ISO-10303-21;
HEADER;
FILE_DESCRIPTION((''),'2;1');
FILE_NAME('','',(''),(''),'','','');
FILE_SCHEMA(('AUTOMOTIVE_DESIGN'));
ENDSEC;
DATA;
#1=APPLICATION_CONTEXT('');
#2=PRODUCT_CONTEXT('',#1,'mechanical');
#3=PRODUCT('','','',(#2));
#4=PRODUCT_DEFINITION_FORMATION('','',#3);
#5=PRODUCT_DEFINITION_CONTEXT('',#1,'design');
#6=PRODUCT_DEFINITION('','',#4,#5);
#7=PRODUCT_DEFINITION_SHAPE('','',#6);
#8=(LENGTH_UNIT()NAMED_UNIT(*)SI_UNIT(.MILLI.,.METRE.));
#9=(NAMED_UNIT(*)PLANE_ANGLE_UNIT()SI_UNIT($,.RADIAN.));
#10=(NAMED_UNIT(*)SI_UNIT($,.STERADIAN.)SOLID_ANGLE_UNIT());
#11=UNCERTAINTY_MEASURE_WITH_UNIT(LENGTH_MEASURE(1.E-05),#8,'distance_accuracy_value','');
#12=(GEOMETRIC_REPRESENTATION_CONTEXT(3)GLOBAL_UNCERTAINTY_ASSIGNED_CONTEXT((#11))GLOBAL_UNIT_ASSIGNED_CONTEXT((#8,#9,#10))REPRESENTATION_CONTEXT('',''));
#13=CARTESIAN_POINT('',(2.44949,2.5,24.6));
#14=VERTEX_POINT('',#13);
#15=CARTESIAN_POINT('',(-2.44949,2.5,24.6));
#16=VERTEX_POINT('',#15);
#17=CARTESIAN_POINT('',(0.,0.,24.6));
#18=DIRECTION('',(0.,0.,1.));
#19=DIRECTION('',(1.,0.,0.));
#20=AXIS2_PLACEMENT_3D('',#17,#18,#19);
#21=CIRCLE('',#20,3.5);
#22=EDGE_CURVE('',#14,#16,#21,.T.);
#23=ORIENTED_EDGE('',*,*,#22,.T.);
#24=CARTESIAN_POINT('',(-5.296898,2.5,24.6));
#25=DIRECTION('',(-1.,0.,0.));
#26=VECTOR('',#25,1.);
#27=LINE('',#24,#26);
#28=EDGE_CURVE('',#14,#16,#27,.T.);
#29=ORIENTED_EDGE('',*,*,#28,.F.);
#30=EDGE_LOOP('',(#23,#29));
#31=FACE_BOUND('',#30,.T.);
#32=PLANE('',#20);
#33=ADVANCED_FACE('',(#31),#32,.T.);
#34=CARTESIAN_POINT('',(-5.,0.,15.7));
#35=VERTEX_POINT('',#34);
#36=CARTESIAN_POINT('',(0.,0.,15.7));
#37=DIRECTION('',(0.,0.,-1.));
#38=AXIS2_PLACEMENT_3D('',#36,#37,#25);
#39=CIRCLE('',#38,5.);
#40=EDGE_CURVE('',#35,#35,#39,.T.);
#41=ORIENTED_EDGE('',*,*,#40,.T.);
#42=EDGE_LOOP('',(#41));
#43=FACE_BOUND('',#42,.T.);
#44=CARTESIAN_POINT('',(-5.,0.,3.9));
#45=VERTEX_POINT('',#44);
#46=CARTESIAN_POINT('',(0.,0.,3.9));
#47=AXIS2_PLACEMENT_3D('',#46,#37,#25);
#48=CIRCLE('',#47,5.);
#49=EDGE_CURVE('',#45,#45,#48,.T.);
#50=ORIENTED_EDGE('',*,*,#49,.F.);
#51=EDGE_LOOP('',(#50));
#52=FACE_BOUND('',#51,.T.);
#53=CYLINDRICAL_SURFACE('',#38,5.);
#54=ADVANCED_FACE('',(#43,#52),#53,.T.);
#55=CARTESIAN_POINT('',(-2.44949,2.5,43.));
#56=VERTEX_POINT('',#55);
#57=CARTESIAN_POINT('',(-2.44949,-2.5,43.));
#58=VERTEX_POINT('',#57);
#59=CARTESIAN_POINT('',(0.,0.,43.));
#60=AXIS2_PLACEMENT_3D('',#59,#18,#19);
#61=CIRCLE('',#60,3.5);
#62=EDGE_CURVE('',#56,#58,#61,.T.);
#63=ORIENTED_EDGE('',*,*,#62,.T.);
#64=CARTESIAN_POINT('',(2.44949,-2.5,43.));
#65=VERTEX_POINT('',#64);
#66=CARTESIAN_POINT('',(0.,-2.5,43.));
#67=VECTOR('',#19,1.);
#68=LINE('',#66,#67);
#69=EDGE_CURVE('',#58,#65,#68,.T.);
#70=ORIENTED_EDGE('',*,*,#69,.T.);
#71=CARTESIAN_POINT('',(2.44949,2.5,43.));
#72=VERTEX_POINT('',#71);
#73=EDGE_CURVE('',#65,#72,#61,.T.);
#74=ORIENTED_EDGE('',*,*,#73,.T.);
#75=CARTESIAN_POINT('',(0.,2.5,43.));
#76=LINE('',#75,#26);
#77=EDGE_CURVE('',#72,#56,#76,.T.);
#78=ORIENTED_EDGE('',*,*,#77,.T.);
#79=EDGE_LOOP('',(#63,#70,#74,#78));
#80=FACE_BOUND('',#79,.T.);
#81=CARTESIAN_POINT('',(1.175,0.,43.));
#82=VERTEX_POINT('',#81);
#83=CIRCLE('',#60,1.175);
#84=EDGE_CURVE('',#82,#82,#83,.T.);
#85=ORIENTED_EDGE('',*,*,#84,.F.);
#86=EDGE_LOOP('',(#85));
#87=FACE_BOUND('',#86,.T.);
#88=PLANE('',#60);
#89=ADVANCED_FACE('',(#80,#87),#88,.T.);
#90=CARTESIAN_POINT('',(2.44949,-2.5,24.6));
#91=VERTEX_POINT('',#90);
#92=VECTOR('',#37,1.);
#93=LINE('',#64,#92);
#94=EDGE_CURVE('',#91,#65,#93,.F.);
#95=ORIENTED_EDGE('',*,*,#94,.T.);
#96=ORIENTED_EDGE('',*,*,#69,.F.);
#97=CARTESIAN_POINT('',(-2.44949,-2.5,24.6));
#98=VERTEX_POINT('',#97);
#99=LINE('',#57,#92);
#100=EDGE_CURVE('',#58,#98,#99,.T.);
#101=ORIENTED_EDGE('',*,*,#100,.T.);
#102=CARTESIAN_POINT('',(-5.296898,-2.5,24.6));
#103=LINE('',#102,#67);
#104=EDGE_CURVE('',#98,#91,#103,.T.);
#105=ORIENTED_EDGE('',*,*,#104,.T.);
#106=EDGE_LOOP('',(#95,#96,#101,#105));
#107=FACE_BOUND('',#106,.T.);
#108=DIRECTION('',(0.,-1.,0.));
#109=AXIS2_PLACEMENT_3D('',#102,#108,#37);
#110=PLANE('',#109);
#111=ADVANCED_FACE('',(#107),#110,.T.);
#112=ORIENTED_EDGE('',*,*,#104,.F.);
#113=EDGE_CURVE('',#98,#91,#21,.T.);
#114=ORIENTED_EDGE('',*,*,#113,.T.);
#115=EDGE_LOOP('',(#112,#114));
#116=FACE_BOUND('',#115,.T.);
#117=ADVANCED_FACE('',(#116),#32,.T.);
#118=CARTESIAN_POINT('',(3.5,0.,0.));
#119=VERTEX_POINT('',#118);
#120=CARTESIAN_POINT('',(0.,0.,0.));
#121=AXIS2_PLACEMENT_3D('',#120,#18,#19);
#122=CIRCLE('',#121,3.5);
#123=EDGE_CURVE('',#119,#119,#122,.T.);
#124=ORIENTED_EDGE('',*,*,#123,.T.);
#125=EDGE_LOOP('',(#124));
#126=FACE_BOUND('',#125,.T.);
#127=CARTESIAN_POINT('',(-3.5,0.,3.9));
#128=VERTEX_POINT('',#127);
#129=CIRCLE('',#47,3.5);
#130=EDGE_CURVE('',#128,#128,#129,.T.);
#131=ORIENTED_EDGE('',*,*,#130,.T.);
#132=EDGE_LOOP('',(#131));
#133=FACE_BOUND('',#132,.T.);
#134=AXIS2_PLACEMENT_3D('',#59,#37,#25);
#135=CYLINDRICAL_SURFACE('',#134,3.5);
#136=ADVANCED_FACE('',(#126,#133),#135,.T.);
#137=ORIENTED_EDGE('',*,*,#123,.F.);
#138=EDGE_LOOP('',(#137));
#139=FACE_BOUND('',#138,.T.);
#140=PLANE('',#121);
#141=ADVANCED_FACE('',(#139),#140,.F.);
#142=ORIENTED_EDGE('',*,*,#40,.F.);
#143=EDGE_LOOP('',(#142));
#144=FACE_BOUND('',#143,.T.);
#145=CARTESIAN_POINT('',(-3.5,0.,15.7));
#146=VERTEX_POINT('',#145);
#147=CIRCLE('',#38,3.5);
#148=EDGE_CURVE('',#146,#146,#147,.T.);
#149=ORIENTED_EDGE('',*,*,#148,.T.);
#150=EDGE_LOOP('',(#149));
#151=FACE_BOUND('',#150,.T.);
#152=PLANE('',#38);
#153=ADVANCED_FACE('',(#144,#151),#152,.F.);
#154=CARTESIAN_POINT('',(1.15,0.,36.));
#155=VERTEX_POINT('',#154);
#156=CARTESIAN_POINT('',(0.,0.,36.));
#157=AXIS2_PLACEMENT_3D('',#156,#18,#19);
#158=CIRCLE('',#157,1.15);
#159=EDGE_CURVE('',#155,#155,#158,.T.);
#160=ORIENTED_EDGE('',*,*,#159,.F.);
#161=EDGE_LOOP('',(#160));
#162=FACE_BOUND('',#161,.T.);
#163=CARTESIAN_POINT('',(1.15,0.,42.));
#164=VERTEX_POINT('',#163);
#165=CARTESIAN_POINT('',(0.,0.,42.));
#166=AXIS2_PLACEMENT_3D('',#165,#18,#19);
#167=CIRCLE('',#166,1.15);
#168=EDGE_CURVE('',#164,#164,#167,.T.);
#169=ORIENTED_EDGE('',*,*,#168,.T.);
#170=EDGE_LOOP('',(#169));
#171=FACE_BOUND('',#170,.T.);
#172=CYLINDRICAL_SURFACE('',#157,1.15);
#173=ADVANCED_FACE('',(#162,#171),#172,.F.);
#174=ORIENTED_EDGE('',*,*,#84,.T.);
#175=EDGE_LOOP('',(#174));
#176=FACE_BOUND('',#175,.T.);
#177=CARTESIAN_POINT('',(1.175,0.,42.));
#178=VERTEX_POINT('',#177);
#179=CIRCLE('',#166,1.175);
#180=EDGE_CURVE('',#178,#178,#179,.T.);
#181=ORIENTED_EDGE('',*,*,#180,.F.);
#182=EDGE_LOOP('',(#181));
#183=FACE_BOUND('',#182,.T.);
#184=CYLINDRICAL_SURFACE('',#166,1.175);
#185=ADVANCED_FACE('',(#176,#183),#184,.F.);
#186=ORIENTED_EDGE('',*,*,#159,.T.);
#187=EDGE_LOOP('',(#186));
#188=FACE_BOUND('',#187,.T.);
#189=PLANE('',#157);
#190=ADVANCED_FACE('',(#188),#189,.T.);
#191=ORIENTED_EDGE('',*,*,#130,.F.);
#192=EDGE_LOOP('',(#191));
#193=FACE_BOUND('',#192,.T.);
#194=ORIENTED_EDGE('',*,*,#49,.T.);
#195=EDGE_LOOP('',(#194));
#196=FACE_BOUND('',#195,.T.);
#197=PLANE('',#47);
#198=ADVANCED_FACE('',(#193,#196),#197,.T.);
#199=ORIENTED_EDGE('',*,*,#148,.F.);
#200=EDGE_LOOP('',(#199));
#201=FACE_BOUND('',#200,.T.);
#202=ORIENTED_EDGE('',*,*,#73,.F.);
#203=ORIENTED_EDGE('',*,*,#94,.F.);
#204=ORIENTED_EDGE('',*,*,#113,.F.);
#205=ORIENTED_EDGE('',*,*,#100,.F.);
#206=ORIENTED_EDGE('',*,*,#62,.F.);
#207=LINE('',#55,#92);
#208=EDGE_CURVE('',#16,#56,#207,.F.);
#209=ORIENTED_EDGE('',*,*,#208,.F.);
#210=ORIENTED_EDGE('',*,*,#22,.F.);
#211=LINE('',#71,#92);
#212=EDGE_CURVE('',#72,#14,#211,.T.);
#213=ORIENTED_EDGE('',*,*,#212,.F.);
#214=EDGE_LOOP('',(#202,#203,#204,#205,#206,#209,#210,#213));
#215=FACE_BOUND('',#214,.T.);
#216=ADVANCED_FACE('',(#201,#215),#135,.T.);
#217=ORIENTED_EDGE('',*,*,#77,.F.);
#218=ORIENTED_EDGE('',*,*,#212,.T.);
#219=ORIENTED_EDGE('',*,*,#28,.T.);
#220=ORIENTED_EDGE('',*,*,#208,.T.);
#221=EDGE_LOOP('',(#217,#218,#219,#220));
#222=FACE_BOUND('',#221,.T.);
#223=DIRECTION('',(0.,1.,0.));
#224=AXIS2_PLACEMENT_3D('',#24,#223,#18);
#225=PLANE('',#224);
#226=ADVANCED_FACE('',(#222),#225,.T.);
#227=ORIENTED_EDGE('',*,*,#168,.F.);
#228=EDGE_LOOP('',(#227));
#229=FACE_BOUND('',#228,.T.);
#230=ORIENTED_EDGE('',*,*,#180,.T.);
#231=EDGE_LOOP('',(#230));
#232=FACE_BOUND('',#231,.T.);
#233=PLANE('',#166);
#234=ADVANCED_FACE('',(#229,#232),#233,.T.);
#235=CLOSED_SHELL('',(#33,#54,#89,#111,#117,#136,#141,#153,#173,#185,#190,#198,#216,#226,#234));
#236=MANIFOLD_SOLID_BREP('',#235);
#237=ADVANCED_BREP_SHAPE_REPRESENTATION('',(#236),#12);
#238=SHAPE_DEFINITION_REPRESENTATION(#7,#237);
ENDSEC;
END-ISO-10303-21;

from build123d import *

# Parameters (mm, degrees)
SKETCH_1_R           = 3.5
EXTRUDE_1_DEPTH      = 43
SKETCH_2_OUTSIDE_W   = 17.824
SKETCH_2_OUTSIDE_H   = 17.824
SKETCH_2_OUTSIDE_W_2 = 10.593795304
SKETCH_2_OUTSIDE_H_2 = 5
CUT_EXTRUDE_1_DEPTH  = 18.4
EXTRUDE_START        = -3.9
SKETCH_5_R           = 5
EXTRUDE_2_DEPTH      = 11.8
SKETCH_3_R           = 1.175
CUT_EXTRUDE_2_DEPTH  = 1
SKETCH_6_R           = 1.15
CUT_EXTRUDE_3_DEPTH  = 6


with BuildPart() as part:
    # 草图1 → 凸台-拉伸1 (new body)
    with BuildSketch(Plane.XY):
        Circle(SKETCH_1_R)
    extrude(amount=EXTRUDE_1_DEPTH)

    # 草图2 outside → 切除-拉伸1 (cut)
    with BuildSketch(Plane.XY.offset(43)):
        Rectangle(SKETCH_2_OUTSIDE_W, SKETCH_2_OUTSIDE_H)
        Rectangle(SKETCH_2_OUTSIDE_W_2, SKETCH_2_OUTSIDE_H_2, mode=Mode.SUBTRACT)
    extrude(amount=-CUT_EXTRUDE_1_DEPTH, mode=Mode.SUBTRACT)

    # 草图5 → 凸台-拉伸2 (add)
    with BuildSketch(Plane(origin=(0, 0, 0), x_dir=(-1, 0, 0), z_dir=(0, 0, -1)).offset(EXTRUDE_START)):
        Circle(SKETCH_5_R)
    extrude(amount=-EXTRUDE_2_DEPTH)

    # 草图3 → 切除-拉伸2 (cut)
    with BuildSketch(Plane.XY.offset(43)):
        Circle(SKETCH_3_R)
    extrude(amount=-CUT_EXTRUDE_2_DEPTH, mode=Mode.SUBTRACT)

    # 草图6 → 切除-拉伸3 (cut)
    with BuildSketch(Plane.XY.offset(42)):
        Circle(SKETCH_6_R)
    extrude(amount=-CUT_EXTRUDE_3_DEPTH, mode=Mode.SUBTRACT)


solid = part.part
